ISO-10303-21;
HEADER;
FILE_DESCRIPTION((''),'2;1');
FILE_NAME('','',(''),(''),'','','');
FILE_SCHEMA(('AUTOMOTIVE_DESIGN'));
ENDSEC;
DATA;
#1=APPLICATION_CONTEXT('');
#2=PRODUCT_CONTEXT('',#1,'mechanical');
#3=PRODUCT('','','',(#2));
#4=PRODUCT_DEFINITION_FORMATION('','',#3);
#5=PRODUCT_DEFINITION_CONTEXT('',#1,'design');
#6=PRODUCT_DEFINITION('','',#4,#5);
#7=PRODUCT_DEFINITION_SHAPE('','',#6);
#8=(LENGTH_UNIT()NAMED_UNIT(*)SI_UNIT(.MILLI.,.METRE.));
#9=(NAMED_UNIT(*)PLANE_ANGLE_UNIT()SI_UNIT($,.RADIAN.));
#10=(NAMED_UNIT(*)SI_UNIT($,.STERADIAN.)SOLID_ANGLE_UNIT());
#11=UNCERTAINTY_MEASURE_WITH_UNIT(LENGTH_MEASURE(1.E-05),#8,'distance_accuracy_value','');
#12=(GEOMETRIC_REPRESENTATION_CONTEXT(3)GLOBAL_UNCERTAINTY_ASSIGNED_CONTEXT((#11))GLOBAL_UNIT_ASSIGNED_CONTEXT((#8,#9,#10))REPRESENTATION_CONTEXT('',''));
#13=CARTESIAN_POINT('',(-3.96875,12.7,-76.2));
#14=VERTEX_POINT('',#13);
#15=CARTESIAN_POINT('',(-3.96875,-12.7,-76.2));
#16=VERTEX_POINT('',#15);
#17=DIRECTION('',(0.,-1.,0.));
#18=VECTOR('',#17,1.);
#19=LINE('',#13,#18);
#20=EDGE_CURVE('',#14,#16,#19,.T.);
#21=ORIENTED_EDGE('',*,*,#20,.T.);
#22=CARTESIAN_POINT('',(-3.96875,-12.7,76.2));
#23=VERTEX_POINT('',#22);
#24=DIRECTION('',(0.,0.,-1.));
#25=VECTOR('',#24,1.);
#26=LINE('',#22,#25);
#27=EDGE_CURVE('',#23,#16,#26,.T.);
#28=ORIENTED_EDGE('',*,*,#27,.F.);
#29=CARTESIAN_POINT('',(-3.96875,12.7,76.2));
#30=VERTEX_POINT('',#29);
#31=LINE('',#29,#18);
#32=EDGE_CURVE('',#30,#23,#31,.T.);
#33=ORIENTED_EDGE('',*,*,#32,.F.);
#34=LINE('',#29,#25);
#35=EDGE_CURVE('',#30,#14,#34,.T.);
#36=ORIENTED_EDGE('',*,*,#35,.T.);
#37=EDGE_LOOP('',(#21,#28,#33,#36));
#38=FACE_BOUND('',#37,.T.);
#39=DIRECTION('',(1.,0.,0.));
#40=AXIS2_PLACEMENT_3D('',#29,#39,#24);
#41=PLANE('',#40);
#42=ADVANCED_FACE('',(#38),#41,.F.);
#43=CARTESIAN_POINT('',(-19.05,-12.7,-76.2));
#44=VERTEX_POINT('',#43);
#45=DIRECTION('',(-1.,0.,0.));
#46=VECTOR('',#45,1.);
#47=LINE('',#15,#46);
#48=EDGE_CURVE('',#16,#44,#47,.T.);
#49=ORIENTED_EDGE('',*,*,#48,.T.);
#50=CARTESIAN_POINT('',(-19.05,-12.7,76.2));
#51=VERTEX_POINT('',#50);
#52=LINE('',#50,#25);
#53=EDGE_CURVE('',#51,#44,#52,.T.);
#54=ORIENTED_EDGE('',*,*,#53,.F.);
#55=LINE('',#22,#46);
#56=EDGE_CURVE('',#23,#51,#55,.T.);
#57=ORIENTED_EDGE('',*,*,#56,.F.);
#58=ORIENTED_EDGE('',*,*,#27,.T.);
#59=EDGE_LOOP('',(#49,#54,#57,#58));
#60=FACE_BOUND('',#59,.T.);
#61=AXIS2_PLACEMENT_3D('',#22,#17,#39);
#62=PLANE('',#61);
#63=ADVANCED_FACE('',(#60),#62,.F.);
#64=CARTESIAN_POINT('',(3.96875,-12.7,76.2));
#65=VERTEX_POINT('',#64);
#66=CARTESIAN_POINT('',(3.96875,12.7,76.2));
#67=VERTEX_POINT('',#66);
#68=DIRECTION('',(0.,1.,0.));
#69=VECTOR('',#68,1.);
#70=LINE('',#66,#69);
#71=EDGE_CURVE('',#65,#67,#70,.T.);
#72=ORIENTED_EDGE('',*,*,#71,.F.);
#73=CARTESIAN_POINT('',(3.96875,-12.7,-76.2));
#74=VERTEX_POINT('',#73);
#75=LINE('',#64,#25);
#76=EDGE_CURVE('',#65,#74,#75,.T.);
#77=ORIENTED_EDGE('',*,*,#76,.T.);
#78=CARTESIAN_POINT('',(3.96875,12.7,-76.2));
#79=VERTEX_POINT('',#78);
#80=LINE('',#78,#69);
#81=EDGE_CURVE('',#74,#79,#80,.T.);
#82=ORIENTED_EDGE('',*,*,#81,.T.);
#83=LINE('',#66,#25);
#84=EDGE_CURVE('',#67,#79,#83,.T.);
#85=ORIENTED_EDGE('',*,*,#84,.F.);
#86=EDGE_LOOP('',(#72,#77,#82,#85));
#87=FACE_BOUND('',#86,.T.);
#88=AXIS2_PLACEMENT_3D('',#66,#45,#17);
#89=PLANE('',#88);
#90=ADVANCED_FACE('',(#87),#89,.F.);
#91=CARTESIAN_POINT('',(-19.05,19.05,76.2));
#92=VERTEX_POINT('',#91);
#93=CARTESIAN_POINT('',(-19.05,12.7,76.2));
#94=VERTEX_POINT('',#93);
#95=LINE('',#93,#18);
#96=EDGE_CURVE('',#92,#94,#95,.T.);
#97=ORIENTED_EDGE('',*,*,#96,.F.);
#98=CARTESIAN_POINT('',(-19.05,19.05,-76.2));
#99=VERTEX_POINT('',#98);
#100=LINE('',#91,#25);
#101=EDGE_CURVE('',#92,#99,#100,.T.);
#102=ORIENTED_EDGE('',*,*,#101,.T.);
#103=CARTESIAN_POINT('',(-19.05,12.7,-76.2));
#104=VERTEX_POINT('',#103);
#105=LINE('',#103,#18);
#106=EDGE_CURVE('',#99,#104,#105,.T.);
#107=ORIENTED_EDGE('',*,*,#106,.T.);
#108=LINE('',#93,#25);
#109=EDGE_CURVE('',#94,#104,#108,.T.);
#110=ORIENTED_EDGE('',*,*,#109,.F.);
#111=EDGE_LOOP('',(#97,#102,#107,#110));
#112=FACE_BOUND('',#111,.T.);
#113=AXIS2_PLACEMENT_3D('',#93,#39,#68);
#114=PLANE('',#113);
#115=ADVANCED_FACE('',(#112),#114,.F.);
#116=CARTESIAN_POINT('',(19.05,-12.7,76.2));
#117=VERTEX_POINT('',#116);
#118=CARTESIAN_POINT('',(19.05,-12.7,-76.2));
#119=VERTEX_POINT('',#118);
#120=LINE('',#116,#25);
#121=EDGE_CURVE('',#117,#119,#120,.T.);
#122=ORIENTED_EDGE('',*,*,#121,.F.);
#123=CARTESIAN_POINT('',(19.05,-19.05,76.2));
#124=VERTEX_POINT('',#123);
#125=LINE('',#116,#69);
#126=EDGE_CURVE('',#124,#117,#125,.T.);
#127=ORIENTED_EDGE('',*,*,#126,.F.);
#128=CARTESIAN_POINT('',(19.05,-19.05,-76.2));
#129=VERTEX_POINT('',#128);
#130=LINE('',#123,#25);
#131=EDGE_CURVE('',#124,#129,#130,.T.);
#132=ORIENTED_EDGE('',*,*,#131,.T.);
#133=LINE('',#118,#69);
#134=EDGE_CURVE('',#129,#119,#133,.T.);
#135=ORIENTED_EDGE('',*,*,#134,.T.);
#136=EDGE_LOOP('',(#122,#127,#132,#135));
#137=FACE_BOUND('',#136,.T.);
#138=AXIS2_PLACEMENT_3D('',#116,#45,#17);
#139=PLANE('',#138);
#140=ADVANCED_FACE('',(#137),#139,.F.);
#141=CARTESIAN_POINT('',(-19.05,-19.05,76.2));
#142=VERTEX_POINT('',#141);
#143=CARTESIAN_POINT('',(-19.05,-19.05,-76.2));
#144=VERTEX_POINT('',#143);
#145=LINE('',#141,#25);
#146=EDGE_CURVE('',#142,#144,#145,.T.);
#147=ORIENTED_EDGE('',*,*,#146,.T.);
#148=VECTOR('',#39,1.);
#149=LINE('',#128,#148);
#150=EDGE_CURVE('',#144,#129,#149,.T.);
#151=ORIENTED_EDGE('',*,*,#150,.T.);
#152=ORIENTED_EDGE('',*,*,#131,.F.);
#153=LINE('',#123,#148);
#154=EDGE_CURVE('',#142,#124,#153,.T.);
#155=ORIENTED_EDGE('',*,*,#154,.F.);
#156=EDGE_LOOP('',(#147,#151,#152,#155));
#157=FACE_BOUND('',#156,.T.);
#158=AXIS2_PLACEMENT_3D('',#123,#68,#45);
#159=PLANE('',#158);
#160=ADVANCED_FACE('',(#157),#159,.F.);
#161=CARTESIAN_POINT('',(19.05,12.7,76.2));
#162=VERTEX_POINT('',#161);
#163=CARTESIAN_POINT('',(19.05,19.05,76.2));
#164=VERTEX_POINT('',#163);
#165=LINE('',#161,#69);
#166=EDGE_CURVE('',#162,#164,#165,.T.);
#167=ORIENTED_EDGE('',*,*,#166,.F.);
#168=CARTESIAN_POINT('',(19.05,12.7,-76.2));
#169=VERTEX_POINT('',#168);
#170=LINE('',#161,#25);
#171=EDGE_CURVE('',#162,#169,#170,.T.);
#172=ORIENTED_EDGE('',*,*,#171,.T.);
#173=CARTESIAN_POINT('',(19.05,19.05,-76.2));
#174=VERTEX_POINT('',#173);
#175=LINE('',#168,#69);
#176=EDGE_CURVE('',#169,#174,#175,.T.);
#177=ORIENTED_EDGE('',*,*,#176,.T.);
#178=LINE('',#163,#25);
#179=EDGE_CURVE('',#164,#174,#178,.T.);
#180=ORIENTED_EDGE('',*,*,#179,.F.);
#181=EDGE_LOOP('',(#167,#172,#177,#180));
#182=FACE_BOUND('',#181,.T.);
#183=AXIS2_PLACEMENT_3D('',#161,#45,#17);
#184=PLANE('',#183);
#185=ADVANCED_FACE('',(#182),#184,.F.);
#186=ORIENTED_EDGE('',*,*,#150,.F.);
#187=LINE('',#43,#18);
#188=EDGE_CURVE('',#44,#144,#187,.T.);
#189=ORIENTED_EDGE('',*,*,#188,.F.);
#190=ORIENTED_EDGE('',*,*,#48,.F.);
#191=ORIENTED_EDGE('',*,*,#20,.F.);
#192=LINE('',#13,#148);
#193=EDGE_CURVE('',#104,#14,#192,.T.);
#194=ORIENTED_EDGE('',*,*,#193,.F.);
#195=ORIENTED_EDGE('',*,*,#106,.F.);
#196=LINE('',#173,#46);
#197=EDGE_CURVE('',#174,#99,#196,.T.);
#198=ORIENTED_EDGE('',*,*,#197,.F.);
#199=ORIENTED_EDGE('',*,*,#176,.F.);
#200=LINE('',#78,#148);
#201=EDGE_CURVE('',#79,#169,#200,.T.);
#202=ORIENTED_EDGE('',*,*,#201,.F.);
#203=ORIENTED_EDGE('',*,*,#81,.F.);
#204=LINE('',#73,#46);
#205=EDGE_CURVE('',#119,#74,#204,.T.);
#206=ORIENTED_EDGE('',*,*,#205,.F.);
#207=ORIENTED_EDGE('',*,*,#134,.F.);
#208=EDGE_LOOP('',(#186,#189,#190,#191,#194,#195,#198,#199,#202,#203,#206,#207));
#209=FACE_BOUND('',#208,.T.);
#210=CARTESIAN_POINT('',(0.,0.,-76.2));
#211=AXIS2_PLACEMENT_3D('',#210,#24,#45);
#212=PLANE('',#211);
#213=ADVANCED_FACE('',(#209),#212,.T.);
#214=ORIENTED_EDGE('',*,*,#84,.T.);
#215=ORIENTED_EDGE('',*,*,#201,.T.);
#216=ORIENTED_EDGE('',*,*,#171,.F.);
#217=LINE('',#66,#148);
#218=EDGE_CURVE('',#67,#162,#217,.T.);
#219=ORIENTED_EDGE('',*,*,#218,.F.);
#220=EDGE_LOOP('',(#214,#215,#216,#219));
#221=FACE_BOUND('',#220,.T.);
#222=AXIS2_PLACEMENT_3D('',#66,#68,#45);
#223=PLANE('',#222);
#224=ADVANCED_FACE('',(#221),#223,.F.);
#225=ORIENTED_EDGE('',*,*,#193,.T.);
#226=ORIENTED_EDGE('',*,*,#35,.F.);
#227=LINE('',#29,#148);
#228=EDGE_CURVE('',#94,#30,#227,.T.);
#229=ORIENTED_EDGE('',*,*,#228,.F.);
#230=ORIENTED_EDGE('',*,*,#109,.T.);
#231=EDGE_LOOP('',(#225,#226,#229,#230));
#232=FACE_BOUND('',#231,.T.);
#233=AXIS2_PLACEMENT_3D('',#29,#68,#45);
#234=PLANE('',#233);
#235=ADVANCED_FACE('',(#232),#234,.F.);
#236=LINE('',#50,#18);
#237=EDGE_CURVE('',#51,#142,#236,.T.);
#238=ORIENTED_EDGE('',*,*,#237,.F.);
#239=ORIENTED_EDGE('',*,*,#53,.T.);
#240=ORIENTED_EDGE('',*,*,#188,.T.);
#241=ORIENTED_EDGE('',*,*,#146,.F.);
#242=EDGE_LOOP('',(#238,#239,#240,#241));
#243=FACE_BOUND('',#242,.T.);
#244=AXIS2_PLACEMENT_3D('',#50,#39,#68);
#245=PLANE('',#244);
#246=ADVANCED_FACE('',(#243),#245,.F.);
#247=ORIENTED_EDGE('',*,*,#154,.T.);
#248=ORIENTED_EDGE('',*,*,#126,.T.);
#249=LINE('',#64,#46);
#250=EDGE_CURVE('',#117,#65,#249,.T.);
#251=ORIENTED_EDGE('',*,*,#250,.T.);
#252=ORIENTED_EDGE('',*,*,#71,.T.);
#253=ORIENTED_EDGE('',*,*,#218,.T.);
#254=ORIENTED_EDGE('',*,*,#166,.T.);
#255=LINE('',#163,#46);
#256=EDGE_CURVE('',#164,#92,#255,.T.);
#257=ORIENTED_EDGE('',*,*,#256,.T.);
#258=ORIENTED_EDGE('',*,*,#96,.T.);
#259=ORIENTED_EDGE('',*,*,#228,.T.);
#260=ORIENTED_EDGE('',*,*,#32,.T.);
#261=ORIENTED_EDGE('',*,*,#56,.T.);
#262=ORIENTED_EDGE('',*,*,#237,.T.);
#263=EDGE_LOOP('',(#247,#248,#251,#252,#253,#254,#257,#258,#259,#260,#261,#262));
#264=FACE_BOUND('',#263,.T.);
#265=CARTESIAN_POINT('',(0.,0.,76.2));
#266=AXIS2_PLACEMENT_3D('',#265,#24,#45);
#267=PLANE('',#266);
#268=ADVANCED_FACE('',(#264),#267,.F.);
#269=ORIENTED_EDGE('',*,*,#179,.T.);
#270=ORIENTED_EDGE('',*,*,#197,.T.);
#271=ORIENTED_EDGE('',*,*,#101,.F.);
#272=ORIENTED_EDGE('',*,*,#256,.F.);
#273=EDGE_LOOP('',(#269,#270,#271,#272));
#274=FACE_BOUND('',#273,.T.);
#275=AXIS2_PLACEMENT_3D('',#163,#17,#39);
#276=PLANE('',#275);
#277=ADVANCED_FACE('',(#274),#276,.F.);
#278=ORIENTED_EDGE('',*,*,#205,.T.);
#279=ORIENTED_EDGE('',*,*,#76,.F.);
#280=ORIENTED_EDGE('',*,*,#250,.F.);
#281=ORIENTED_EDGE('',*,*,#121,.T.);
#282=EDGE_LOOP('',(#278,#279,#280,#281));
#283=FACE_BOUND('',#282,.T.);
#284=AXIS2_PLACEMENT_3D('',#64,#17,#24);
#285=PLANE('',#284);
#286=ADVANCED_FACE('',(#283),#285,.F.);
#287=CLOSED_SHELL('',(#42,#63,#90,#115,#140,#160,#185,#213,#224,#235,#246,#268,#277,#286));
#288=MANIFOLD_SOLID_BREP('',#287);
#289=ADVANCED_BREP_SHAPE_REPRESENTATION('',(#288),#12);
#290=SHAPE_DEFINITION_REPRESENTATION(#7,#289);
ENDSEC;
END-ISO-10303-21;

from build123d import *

# Parameters (mm, degrees)
BOSS_EXTRUDE2_DEPTH = 76.2


with BuildPart() as part:
    # Sketch1 → Boss-Extrude2 (new, symmetric)
    with BuildSketch(Plane.XY):
        Polygon((3.96875, 12.7), (3.96875, -12.7), (19.05, -12.7), (19.05, -19.05), (-19.05, -19.05), (-19.05, -12.7), (-3.96875, -12.7), (-3.96875, 12.7), (-19.05, 12.7), (-19.05, 19.05), (19.05, 19.05), (19.05, 12.7), align=None)
    extrude(amount=BOSS_EXTRUDE2_DEPTH, both=True)


solid = part.part
